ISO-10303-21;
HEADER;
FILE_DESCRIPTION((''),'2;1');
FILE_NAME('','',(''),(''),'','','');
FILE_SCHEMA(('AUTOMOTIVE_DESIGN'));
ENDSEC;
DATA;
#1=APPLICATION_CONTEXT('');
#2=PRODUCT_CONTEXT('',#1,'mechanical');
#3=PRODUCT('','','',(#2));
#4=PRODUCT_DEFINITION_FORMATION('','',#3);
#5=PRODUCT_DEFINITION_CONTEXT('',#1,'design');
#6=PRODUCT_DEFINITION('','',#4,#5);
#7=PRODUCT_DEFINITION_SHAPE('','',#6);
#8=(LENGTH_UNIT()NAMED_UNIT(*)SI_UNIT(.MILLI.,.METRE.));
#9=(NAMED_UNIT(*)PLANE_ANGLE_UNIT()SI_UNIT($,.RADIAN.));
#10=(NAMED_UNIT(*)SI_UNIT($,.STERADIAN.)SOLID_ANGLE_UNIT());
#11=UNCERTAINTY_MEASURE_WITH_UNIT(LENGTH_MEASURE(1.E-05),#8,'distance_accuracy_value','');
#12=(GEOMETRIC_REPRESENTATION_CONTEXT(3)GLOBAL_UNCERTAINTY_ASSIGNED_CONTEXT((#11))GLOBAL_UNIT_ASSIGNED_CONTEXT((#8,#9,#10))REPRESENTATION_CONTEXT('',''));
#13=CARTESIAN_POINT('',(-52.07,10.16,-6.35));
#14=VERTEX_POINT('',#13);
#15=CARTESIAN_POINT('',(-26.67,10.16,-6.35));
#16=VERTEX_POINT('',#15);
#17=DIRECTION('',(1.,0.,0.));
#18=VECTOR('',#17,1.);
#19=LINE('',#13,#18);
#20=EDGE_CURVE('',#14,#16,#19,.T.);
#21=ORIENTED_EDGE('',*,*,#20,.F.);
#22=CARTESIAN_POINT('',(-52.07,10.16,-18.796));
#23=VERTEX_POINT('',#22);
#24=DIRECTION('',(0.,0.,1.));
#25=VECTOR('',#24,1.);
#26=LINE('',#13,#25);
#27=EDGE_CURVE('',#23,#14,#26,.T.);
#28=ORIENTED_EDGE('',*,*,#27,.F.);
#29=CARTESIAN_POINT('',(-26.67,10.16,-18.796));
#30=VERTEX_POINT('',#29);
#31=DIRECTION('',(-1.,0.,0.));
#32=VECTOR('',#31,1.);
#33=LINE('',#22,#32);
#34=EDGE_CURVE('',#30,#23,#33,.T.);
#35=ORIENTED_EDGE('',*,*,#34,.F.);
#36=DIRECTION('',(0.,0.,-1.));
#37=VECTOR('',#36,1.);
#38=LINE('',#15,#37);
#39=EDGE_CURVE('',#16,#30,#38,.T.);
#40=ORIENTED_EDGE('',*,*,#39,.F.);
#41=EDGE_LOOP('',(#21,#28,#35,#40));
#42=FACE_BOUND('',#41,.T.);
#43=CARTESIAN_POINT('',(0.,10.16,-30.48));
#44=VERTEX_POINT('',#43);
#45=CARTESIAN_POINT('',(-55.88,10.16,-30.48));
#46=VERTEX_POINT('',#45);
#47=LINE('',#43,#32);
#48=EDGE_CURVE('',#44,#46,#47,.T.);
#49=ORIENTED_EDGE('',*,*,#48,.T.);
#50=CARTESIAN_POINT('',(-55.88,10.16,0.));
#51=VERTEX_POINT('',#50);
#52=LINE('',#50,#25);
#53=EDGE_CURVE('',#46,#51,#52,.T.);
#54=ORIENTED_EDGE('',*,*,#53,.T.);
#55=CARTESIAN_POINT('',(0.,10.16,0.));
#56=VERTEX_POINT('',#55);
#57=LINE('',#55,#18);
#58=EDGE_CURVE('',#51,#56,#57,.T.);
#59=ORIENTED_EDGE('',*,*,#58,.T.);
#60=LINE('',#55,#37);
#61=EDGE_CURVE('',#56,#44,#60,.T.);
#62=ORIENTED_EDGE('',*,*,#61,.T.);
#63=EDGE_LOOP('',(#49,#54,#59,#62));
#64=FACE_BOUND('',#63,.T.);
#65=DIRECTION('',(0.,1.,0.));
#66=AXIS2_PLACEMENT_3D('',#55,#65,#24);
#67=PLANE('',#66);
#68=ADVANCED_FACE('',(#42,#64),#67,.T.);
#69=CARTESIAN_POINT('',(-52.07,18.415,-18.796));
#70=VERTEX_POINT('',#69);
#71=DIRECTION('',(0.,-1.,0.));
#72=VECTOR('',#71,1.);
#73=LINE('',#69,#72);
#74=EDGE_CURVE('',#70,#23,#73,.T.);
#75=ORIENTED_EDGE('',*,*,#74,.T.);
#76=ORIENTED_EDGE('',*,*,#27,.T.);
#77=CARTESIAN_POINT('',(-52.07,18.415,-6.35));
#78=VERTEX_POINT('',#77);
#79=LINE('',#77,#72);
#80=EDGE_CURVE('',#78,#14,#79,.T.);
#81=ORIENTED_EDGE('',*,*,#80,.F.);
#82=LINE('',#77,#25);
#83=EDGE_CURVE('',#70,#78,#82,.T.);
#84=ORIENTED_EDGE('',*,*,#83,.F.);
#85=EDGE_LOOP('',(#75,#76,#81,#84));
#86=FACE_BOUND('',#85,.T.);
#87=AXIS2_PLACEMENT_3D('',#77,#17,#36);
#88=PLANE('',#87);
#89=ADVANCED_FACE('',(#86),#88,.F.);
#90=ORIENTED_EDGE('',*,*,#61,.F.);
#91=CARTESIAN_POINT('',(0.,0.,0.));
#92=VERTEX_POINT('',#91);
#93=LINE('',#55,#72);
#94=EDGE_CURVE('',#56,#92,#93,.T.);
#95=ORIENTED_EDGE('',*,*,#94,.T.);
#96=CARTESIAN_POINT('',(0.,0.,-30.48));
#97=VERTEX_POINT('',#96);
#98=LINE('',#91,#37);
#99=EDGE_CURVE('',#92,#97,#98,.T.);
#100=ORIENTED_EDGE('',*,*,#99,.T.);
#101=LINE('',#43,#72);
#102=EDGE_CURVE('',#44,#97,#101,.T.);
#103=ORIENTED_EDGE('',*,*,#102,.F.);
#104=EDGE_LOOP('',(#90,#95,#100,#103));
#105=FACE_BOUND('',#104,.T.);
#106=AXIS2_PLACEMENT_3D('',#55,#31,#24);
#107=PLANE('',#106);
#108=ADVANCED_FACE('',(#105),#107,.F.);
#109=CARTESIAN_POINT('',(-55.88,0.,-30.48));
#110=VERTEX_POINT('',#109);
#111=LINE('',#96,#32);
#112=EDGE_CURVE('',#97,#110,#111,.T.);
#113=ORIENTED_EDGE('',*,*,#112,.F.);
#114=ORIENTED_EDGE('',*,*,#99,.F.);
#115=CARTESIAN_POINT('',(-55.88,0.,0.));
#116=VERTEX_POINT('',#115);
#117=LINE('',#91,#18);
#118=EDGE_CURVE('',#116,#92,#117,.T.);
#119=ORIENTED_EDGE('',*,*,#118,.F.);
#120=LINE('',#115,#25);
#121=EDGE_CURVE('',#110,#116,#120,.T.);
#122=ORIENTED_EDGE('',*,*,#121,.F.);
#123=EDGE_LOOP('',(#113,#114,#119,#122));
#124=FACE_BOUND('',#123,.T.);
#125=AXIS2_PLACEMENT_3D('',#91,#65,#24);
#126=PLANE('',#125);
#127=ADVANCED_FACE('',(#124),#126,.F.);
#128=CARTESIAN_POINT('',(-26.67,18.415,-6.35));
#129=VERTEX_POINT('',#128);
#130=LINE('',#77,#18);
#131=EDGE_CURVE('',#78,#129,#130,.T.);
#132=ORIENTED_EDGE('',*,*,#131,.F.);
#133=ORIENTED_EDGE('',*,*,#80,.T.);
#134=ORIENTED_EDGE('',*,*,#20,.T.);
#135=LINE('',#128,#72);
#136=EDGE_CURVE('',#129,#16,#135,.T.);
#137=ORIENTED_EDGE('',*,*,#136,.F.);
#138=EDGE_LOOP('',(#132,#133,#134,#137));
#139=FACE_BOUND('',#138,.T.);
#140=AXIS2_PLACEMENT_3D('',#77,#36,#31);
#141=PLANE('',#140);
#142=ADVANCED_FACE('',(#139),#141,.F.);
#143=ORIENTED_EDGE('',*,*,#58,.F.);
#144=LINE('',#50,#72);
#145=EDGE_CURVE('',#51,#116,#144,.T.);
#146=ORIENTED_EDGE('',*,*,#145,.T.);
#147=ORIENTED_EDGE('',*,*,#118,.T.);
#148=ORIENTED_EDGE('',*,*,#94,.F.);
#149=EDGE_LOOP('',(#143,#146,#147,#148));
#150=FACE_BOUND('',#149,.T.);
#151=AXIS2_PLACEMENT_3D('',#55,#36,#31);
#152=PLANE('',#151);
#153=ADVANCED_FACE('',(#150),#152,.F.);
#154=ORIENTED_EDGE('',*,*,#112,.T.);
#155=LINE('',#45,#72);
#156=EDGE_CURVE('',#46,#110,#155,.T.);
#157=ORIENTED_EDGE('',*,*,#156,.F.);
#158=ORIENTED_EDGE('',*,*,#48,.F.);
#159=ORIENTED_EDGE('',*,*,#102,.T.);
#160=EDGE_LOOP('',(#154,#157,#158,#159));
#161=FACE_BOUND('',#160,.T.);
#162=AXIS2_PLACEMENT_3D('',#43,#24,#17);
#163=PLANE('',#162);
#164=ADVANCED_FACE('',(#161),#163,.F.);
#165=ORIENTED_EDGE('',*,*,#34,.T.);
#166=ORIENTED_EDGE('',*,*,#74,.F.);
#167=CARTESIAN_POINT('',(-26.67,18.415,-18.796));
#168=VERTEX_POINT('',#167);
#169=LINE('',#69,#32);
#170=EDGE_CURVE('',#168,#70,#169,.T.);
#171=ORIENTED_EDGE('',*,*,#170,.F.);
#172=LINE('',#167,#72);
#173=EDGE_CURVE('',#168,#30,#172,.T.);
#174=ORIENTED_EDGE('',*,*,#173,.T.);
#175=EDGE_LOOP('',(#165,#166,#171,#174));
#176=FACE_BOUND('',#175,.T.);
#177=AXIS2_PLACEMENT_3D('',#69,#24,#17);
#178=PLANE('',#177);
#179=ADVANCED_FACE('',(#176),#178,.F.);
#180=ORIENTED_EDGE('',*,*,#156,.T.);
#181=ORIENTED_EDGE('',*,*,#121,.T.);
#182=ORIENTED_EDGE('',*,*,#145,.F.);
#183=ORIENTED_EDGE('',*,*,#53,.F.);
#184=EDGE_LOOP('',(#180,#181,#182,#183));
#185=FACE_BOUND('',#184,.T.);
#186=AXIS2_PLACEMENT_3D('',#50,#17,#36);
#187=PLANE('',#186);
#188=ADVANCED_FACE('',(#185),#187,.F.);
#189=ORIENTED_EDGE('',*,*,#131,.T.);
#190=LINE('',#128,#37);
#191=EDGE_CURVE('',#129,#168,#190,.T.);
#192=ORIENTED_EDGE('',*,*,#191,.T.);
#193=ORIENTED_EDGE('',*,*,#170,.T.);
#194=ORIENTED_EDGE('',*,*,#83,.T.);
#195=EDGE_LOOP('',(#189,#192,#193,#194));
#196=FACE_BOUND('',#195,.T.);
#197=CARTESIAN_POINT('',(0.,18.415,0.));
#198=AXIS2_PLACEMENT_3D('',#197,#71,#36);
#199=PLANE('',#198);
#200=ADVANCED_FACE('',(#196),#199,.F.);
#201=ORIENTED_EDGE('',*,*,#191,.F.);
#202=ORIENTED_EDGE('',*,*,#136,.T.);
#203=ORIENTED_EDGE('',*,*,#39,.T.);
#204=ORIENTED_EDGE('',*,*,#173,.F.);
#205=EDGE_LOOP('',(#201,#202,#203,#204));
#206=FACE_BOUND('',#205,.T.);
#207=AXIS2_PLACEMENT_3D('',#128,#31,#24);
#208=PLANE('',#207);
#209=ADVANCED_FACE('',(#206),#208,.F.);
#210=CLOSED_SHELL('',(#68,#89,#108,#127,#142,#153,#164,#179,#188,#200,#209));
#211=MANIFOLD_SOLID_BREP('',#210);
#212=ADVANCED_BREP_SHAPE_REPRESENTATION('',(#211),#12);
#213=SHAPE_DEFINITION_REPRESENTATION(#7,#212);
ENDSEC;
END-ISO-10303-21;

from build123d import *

# Parameters (mm, degrees)
SKETCH1_W           = 55.88
SKETCH1_H           = 30.48
BOSS_EXTRUDE1_DEPTH = 10.16
SKETCH2_W           = 25.4
SKETCH2_H           = 12.446
BOSS_EXTRUDE2_DEPTH = 8.255


with BuildPart() as part:
    # Sketch1 → Boss-Extrude1 (new body)
    with BuildSketch(Plane(origin=(0, 0, 0), x_dir=(1, 0, 0), z_dir=(0, 1, 0))):
        with Locations((-27.94, 15.24)):
            Rectangle(SKETCH1_W, SKETCH1_H)
    extrude(amount=BOSS_EXTRUDE1_DEPTH)

    # Sketch2 → Boss-Extrude2 (add)
    with BuildSketch(Plane(origin=(0, 10.16, 0), x_dir=(1, 0, 0), z_dir=(0, 1, 0))):
        with Locations((-39.37, 12.573)):
            Rectangle(SKETCH2_W, SKETCH2_H)
    extrude(amount=BOSS_EXTRUDE2_DEPTH)


solid = part.part
